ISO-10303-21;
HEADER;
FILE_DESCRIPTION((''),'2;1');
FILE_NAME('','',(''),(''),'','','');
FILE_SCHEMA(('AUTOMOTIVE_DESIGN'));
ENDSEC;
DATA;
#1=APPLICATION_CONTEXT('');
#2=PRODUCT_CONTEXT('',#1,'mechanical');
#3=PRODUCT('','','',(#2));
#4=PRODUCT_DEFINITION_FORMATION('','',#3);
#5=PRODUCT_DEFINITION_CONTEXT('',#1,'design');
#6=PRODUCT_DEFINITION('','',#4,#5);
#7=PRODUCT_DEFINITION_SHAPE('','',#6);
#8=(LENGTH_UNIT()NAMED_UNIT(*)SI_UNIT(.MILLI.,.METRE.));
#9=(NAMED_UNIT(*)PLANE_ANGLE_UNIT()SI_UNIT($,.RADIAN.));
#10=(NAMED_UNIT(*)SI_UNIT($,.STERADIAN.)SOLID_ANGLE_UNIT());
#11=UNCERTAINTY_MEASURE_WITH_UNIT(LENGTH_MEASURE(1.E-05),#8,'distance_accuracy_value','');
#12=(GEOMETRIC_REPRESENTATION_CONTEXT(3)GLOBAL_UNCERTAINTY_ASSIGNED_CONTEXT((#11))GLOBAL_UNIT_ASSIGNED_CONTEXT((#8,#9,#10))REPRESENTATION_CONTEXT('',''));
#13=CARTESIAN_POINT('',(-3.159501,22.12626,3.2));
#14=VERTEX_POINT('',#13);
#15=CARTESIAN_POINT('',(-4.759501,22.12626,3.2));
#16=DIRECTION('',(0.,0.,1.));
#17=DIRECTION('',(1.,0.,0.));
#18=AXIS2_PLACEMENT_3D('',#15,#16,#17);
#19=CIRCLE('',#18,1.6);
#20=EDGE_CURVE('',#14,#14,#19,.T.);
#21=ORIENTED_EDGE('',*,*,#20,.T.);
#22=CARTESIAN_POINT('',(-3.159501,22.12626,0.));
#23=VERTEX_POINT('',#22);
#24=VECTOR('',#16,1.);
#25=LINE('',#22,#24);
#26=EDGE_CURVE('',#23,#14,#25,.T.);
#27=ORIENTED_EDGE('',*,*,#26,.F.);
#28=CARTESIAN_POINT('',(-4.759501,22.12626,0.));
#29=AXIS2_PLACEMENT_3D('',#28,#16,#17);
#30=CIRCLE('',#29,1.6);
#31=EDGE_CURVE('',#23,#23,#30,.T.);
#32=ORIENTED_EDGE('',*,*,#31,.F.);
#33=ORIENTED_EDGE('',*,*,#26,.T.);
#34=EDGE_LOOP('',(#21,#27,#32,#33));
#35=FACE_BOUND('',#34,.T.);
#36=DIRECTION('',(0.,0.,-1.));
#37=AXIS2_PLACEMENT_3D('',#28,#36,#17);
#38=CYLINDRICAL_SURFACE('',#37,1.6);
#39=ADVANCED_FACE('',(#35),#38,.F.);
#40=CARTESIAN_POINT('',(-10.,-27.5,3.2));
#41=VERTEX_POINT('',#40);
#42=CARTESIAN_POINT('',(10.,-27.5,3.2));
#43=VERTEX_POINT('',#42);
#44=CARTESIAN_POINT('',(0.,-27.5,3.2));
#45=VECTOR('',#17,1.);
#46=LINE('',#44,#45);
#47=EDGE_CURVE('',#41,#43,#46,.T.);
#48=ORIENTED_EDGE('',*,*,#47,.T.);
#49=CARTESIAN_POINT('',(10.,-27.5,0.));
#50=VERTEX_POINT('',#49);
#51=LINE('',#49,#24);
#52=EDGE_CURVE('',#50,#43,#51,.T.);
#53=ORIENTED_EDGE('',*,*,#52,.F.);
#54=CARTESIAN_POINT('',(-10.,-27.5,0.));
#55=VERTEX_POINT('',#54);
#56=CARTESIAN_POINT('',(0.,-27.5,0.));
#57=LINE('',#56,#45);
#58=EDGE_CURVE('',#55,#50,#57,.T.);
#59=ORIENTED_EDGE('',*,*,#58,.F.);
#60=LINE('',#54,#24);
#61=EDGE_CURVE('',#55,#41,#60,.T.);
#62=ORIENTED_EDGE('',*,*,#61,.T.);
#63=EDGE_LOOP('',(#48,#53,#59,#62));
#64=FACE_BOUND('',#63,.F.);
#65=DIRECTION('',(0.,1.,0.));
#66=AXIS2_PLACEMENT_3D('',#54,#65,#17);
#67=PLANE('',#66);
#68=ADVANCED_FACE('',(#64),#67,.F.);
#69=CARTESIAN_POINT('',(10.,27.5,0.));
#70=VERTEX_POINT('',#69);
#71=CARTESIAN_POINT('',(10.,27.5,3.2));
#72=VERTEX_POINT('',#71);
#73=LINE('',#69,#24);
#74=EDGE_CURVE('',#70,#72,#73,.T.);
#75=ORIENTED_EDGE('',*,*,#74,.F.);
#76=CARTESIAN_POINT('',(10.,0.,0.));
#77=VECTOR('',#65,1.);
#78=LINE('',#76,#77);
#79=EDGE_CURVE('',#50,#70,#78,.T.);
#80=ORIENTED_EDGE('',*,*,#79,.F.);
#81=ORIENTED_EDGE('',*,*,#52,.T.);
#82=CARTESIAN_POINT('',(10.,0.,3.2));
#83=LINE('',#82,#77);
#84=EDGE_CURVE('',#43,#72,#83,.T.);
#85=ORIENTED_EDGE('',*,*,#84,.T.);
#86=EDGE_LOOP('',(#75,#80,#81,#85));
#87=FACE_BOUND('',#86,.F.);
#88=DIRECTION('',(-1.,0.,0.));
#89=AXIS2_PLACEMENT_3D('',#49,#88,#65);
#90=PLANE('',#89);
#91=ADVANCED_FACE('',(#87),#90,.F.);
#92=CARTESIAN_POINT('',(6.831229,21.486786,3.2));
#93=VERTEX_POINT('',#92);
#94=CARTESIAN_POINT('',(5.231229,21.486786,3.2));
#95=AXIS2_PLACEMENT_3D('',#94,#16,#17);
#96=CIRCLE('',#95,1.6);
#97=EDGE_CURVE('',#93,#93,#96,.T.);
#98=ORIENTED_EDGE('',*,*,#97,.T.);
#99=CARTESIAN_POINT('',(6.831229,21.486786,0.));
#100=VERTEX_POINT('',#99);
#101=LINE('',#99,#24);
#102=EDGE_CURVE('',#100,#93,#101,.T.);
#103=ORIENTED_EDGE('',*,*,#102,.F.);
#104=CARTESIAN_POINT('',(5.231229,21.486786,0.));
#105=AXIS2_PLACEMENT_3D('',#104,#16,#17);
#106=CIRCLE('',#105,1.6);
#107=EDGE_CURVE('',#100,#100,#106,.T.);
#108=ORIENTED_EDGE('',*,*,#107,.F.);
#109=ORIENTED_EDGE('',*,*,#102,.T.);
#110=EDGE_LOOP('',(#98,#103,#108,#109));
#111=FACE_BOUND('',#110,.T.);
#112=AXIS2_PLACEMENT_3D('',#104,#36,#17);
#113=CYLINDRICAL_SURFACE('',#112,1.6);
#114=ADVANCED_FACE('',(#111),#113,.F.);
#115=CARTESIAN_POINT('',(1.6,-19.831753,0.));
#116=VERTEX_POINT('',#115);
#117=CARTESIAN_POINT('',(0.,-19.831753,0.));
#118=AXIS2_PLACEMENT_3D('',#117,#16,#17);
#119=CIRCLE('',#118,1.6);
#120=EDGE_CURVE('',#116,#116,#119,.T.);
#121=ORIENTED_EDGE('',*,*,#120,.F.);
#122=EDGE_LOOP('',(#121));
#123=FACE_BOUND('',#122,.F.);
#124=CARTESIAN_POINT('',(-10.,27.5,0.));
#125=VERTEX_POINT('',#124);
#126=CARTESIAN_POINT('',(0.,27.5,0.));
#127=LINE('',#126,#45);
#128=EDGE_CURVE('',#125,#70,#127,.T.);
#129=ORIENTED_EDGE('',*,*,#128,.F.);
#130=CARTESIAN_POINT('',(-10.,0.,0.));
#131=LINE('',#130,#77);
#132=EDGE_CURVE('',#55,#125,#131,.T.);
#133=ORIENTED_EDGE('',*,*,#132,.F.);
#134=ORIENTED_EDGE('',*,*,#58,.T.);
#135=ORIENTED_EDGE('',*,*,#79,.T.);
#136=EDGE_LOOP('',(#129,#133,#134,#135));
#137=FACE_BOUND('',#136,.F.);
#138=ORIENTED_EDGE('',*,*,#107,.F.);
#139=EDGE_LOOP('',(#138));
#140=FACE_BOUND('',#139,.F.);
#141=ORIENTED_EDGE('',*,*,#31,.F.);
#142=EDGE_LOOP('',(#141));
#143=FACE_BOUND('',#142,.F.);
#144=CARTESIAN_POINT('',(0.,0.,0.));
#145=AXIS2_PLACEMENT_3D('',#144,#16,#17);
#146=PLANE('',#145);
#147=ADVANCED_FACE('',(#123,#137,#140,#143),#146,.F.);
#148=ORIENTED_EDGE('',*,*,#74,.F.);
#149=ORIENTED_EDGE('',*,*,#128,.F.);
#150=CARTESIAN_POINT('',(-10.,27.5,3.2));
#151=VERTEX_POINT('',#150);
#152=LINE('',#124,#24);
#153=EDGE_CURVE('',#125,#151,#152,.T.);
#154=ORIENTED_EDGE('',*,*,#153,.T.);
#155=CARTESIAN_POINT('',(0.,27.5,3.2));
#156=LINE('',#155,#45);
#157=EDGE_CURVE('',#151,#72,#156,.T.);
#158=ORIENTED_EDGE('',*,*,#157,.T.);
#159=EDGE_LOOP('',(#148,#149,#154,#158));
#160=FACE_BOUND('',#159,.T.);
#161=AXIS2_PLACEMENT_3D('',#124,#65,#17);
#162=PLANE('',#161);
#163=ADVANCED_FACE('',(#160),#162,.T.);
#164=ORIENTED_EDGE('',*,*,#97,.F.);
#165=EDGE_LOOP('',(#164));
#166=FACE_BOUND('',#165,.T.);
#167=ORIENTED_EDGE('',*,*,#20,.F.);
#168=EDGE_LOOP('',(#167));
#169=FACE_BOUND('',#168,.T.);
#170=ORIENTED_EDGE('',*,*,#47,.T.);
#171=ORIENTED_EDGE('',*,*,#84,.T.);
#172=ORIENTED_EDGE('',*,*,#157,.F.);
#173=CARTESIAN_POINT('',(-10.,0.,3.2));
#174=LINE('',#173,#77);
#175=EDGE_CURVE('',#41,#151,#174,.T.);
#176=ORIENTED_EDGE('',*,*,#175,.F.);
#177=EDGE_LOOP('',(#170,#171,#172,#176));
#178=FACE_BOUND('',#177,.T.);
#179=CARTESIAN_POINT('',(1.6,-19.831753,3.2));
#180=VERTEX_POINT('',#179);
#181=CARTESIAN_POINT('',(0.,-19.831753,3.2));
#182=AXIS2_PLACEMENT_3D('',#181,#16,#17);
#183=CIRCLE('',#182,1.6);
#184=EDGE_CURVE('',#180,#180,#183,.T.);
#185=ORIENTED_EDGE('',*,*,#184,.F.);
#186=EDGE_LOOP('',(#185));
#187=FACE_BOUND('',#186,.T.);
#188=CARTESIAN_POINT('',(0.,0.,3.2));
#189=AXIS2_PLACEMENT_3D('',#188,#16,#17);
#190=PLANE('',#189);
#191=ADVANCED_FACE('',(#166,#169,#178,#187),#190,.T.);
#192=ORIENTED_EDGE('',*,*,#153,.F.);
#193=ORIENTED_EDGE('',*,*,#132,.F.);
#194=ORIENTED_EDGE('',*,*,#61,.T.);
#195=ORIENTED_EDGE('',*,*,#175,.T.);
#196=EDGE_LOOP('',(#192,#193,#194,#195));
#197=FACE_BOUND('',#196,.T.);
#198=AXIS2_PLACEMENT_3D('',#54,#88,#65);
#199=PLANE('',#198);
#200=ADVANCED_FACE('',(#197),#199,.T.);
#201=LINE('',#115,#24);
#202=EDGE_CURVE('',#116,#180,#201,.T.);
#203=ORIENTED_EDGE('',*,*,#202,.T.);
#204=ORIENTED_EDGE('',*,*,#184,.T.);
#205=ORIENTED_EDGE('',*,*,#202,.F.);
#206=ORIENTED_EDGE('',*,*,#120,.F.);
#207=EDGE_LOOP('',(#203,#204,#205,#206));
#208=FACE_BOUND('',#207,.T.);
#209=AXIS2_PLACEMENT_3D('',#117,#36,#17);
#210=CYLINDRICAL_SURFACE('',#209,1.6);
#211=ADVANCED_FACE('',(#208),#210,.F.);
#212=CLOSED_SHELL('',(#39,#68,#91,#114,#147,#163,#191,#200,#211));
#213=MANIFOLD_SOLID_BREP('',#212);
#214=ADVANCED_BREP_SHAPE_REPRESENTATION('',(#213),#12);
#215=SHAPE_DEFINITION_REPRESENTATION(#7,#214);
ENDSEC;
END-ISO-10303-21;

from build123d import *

# Parameters (mm, degrees)
F0_W     = 20
F0_H     = 55
F0_R     = 1.6
F1_DEPTH = 3.2
F2_DEPTH = 3.2
F3_DEPTH = 3.2


with BuildPart() as f1:
    # F0 (on Top) → F1 (new body)
    with BuildSketch(Plane.XY):
        Rectangle(F0_W, F0_H)
        with Locations((0, -19.831753)):
            Circle(F0_R, mode=Mode.SUBTRACT)
        with Locations((-4.759501, 22.12626)):
            Circle(F0_R, mode=Mode.SUBTRACT)
        with Locations((5.231229, 21.486786)):
            Circle(F0_R, mode=Mode.SUBTRACT)
    extrude(amount=F1_DEPTH)

    # F0 (on Top) → F2 (join)
    with BuildSketch(Plane.XY):
        Rectangle(F0_W, F0_H)
        with Locations((0, -19.831753)):
            Circle(F0_R, mode=Mode.SUBTRACT)
        with Locations((-4.759501, 22.12626)):
            Circle(F0_R, mode=Mode.SUBTRACT)
        with Locations((5.231229, 21.486786)):
            Circle(F0_R, mode=Mode.SUBTRACT)
    extrude(amount=F2_DEPTH)

    # F0 (on Top) → F3 (join)
    with BuildSketch(Plane.XY):
        Rectangle(F0_W, F0_H)
        with Locations((0, -19.831753)):
            Circle(F0_R, mode=Mode.SUBTRACT)
        with Locations((-4.759501, 22.12626)):
            Circle(F0_R, mode=Mode.SUBTRACT)
        with Locations((5.231229, 21.486786)):
            Circle(F0_R, mode=Mode.SUBTRACT)
    extrude(amount=F3_DEPTH)


solid = f1.part
